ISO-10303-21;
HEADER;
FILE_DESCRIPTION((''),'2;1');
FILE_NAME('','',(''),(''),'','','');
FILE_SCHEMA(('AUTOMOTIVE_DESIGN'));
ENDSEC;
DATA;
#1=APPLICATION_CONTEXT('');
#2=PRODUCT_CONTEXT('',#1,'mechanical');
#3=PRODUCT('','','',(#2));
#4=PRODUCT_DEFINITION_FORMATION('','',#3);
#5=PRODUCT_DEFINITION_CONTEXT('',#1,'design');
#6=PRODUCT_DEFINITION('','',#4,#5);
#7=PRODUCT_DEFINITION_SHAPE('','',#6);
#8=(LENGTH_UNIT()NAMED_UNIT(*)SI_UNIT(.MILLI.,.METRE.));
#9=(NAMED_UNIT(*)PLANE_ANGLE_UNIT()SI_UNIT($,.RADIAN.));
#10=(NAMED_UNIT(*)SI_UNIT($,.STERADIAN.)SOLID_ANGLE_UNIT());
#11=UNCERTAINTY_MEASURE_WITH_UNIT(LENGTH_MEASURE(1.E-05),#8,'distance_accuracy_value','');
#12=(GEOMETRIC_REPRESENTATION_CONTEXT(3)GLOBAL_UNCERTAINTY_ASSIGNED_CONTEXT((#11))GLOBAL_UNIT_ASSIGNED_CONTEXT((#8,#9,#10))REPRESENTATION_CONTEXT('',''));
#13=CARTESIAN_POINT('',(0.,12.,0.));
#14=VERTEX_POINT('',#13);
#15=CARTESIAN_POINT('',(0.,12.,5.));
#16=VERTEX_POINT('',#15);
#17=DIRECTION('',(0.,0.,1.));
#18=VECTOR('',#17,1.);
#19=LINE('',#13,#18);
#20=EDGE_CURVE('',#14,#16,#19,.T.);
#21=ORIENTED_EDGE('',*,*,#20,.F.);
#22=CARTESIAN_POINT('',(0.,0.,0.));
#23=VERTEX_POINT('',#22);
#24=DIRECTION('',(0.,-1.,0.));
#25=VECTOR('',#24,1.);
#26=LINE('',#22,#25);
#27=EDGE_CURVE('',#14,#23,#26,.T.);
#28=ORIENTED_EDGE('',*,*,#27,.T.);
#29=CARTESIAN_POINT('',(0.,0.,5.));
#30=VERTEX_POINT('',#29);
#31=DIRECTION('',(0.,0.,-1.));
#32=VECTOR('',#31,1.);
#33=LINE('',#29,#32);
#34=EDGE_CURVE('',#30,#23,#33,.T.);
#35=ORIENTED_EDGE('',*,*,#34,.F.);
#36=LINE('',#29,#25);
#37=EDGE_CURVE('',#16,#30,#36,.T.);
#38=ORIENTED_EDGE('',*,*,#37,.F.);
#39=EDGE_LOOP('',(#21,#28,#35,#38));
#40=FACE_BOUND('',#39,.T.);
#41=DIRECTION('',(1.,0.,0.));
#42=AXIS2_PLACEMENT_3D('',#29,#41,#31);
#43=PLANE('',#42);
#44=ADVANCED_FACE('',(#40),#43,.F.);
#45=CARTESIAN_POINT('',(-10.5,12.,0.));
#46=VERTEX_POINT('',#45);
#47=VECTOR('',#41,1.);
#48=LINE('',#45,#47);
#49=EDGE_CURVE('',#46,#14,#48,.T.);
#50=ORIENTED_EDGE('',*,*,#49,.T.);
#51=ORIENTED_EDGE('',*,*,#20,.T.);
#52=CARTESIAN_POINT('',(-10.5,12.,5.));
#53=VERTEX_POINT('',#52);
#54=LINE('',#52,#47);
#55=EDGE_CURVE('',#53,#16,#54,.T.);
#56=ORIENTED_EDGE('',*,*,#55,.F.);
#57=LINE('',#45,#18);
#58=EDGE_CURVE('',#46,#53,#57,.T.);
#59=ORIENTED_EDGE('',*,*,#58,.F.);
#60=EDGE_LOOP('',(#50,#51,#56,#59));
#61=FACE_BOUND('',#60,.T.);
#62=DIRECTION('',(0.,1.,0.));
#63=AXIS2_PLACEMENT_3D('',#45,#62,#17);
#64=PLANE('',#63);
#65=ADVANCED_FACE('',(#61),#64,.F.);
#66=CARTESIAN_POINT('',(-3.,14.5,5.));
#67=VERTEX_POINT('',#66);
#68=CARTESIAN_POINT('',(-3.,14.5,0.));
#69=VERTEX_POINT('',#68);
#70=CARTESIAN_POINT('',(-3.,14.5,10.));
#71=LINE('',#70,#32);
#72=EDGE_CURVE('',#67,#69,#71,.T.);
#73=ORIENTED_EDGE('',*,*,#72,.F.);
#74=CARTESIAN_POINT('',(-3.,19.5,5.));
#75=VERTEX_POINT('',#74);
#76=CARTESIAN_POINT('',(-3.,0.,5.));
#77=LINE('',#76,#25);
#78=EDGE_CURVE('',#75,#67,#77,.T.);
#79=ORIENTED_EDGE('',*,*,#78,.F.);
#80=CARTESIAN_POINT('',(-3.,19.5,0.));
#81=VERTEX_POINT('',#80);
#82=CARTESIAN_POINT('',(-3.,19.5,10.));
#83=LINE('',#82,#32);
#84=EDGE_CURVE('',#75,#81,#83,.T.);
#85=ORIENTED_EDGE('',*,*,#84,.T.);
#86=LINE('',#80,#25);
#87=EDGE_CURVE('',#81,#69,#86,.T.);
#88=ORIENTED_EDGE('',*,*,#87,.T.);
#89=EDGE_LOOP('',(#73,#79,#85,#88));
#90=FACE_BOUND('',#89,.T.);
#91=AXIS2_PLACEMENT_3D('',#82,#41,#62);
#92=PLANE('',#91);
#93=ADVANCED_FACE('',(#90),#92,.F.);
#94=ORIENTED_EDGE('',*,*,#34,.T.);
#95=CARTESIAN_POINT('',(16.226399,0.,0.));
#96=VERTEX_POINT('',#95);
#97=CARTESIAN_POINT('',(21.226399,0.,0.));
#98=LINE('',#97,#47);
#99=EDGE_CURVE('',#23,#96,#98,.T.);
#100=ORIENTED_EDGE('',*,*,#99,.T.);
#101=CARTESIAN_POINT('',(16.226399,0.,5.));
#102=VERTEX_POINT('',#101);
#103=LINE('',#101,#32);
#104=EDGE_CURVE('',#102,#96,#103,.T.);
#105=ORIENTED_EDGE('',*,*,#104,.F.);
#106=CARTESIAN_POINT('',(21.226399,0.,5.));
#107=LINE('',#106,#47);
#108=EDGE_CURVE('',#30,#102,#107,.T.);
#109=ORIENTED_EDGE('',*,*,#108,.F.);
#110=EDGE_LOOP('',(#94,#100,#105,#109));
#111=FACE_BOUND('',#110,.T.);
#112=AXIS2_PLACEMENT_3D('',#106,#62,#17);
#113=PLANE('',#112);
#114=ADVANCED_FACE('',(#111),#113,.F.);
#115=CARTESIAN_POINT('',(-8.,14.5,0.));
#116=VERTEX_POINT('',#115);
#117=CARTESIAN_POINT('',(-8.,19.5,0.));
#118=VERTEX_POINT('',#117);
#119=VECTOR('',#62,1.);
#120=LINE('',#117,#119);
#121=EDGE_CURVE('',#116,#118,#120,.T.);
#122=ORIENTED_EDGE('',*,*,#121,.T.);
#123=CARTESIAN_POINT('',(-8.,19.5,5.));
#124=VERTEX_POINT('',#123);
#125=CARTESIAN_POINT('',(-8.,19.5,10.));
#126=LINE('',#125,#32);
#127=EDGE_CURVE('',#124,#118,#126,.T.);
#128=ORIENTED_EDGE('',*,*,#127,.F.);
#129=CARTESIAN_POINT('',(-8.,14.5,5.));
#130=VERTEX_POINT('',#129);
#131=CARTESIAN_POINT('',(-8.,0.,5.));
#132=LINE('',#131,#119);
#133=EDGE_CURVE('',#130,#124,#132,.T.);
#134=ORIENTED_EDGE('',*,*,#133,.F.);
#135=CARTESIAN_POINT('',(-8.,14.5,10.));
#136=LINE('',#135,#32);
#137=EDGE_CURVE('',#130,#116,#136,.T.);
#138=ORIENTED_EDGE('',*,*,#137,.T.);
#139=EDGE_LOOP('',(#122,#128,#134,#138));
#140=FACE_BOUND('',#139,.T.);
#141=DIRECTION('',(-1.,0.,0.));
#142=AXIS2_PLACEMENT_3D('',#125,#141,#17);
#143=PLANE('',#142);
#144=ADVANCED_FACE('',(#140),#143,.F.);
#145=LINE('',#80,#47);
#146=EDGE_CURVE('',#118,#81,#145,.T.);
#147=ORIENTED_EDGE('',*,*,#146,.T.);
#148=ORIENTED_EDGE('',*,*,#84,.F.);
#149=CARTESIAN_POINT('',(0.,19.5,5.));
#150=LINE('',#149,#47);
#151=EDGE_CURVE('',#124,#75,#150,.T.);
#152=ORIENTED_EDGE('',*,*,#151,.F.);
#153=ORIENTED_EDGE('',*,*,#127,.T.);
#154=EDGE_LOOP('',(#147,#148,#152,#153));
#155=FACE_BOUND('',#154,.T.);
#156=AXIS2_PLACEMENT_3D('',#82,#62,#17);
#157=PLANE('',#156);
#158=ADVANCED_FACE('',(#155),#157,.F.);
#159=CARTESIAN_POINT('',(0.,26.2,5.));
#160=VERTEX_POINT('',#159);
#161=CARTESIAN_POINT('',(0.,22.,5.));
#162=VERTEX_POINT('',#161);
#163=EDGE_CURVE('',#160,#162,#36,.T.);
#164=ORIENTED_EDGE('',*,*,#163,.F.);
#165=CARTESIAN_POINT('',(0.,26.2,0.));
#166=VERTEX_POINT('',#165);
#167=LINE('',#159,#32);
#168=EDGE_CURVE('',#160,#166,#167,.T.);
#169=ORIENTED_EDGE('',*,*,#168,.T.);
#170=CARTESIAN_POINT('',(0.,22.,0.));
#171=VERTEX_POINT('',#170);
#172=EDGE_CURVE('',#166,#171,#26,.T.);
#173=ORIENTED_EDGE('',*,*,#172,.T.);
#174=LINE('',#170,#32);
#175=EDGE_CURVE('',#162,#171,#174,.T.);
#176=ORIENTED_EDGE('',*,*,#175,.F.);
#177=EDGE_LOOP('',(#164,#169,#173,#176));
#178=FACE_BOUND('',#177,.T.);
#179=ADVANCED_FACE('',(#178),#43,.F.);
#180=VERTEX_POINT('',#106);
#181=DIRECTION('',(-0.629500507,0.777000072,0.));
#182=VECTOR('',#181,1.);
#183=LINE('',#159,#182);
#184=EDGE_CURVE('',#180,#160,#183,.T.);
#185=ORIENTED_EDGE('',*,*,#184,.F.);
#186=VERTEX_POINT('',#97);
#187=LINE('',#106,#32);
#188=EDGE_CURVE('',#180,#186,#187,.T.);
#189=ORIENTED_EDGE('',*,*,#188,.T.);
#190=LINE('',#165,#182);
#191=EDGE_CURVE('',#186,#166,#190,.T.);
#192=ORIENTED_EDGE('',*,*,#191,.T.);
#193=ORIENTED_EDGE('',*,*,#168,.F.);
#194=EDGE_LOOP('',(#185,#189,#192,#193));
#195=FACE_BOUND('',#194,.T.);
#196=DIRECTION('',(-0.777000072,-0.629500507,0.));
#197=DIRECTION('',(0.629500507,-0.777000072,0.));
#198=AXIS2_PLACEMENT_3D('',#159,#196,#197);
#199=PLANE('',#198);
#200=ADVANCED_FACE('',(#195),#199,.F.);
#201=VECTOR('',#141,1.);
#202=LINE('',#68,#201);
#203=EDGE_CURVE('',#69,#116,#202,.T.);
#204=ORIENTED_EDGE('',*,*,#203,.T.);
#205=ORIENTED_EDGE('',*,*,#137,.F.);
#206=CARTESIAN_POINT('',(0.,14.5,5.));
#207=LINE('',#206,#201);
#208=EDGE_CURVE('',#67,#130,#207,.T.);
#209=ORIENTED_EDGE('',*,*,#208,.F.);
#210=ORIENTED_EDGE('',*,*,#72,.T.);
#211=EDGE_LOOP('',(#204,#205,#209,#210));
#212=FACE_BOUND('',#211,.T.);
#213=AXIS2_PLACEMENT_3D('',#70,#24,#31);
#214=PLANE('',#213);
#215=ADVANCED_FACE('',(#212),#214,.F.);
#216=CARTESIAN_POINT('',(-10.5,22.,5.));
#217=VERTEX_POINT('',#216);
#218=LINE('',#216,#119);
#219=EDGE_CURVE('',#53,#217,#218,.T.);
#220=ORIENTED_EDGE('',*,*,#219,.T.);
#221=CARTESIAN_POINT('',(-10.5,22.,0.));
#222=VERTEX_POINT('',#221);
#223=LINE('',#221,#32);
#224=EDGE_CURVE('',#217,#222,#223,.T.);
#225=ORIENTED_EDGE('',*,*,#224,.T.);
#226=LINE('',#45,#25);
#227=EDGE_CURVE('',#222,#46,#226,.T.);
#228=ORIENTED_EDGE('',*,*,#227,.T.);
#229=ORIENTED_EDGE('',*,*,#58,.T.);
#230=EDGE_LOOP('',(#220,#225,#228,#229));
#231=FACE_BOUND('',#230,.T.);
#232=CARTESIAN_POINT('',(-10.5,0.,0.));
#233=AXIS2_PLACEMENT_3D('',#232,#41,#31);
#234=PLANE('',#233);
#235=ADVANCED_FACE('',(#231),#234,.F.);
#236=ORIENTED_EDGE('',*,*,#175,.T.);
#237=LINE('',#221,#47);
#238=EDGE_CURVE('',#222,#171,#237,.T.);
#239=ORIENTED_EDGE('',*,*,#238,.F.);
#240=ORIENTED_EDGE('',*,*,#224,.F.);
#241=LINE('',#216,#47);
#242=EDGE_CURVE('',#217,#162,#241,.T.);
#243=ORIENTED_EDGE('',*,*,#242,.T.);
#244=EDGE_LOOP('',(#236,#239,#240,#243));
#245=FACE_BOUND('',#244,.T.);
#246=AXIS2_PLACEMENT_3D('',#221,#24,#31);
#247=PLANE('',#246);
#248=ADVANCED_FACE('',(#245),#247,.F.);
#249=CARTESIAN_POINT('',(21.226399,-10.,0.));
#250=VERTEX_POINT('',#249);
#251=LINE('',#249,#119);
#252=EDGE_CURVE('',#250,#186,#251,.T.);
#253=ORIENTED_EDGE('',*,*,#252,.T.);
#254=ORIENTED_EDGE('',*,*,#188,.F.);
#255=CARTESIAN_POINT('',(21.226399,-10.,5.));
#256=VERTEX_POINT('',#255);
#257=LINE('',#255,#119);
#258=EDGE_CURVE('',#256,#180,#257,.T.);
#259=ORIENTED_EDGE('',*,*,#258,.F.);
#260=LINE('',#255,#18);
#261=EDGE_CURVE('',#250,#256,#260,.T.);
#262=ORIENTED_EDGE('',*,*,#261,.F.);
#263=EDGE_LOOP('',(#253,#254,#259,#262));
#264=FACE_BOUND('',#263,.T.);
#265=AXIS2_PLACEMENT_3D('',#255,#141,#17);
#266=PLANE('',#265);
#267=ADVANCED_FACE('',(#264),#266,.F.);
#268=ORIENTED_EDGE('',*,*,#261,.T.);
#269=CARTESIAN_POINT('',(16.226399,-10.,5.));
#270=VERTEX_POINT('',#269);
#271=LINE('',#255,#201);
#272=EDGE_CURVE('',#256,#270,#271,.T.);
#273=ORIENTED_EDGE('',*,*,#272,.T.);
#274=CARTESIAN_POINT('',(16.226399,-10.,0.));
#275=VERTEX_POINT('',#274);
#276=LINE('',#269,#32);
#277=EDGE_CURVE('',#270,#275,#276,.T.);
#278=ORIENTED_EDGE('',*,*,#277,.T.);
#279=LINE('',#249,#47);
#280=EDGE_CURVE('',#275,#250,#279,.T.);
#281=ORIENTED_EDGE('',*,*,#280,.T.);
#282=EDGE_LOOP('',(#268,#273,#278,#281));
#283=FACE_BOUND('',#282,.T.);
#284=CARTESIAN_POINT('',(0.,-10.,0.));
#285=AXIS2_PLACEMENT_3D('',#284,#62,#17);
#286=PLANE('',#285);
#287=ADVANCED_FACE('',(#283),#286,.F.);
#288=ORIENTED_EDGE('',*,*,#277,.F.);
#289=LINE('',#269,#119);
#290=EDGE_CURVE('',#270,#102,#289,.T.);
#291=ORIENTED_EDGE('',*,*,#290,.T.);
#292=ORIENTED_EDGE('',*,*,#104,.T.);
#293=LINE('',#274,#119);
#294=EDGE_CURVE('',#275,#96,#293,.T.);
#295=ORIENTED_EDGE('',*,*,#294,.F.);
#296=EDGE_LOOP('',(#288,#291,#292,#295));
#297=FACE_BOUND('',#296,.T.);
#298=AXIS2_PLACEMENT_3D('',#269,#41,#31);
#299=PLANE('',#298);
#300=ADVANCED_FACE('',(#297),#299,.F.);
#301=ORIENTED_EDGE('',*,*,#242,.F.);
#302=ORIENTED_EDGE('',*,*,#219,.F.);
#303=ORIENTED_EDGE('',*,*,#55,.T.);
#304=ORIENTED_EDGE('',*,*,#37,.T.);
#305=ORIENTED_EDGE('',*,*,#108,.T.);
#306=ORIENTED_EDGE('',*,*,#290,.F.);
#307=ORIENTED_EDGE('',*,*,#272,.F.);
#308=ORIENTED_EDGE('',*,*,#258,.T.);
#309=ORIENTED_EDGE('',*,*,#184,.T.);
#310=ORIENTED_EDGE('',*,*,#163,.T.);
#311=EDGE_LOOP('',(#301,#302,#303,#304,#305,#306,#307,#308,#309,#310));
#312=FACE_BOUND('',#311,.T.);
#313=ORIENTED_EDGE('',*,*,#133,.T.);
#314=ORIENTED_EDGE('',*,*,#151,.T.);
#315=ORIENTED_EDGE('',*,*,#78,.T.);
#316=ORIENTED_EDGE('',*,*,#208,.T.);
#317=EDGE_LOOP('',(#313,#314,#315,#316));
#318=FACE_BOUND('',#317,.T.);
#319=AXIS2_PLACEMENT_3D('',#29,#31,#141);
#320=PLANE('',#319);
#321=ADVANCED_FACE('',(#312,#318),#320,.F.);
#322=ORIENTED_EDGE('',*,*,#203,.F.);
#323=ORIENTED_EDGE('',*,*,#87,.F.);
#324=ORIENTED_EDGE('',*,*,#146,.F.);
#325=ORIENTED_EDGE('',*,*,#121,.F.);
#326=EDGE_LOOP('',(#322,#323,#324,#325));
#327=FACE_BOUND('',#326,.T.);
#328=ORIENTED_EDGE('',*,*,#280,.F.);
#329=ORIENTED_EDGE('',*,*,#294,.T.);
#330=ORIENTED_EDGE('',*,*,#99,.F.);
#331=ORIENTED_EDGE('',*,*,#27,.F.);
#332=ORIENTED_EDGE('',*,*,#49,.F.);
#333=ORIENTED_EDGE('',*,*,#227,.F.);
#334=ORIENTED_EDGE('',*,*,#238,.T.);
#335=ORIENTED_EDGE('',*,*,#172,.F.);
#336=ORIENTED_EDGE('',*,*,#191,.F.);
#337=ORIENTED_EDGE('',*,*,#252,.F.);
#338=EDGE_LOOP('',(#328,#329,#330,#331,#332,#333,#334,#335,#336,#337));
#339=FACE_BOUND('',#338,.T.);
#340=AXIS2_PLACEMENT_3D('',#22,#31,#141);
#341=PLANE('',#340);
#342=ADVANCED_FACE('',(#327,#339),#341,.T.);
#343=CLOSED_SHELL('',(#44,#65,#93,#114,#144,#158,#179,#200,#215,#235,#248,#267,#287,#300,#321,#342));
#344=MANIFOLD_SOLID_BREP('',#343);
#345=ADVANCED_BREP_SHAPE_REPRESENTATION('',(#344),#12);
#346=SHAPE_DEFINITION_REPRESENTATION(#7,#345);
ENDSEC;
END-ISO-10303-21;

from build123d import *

# Parameters (mm, degrees)
BOSS_EXTRU_1_DEPTH      = 5
ESQUISSE3_W             = 5
ESQUISSE3_H             = 5
BOSS_EXTRU_3_DEPTH      = 10
ESQUISSE2_W             = 5
ESQUISSE2_H             = 10
BOSS_EXTRU_5_DEPTH      = 10.5
ESQUISSE4_W             = 5
ESQUISSE4_H             = 5
ENL_V_MAT_EXTRU_1_DEPTH = 10


with BuildPart() as part:
    # Esquisse1 → Boss.-Extru.1 (new body)
    with BuildSketch(Plane.XY):
        Polygon((0, 0), (0, 26.2), (21.226398658, 0), align=None)
    extrude(amount=BOSS_EXTRU_1_DEPTH)

    # Esquisse3 → Boss.-Extru.3 (add)
    with BuildSketch(Plane.XZ):
        with Locations((18.726398658, 2.5)):
            Rectangle(ESQUISSE3_W, ESQUISSE3_H)
    extrude(amount=BOSS_EXTRU_3_DEPTH)

    # Esquisse2 → Boss.-Extru.5 (add)
    with BuildSketch(Plane.ZY):
        with Locations((2.5, 17)):
            Rectangle(ESQUISSE2_W, ESQUISSE2_H)
    extrude(amount=BOSS_EXTRU_5_DEPTH)

    # Esquisse4 → Enlèv. mat.-Extru.1 (cut)
    with BuildSketch(Plane(origin=(0, 0, 0), x_dir=(-1, 0, 0), z_dir=(0, 0, -1))):
        with Locations((5.5, 17)):
            Rectangle(ESQUISSE4_W, ESQUISSE4_H)
    extrude(amount=-ENL_V_MAT_EXTRU_1_DEPTH, mode=Mode.SUBTRACT)


solid = part.part
